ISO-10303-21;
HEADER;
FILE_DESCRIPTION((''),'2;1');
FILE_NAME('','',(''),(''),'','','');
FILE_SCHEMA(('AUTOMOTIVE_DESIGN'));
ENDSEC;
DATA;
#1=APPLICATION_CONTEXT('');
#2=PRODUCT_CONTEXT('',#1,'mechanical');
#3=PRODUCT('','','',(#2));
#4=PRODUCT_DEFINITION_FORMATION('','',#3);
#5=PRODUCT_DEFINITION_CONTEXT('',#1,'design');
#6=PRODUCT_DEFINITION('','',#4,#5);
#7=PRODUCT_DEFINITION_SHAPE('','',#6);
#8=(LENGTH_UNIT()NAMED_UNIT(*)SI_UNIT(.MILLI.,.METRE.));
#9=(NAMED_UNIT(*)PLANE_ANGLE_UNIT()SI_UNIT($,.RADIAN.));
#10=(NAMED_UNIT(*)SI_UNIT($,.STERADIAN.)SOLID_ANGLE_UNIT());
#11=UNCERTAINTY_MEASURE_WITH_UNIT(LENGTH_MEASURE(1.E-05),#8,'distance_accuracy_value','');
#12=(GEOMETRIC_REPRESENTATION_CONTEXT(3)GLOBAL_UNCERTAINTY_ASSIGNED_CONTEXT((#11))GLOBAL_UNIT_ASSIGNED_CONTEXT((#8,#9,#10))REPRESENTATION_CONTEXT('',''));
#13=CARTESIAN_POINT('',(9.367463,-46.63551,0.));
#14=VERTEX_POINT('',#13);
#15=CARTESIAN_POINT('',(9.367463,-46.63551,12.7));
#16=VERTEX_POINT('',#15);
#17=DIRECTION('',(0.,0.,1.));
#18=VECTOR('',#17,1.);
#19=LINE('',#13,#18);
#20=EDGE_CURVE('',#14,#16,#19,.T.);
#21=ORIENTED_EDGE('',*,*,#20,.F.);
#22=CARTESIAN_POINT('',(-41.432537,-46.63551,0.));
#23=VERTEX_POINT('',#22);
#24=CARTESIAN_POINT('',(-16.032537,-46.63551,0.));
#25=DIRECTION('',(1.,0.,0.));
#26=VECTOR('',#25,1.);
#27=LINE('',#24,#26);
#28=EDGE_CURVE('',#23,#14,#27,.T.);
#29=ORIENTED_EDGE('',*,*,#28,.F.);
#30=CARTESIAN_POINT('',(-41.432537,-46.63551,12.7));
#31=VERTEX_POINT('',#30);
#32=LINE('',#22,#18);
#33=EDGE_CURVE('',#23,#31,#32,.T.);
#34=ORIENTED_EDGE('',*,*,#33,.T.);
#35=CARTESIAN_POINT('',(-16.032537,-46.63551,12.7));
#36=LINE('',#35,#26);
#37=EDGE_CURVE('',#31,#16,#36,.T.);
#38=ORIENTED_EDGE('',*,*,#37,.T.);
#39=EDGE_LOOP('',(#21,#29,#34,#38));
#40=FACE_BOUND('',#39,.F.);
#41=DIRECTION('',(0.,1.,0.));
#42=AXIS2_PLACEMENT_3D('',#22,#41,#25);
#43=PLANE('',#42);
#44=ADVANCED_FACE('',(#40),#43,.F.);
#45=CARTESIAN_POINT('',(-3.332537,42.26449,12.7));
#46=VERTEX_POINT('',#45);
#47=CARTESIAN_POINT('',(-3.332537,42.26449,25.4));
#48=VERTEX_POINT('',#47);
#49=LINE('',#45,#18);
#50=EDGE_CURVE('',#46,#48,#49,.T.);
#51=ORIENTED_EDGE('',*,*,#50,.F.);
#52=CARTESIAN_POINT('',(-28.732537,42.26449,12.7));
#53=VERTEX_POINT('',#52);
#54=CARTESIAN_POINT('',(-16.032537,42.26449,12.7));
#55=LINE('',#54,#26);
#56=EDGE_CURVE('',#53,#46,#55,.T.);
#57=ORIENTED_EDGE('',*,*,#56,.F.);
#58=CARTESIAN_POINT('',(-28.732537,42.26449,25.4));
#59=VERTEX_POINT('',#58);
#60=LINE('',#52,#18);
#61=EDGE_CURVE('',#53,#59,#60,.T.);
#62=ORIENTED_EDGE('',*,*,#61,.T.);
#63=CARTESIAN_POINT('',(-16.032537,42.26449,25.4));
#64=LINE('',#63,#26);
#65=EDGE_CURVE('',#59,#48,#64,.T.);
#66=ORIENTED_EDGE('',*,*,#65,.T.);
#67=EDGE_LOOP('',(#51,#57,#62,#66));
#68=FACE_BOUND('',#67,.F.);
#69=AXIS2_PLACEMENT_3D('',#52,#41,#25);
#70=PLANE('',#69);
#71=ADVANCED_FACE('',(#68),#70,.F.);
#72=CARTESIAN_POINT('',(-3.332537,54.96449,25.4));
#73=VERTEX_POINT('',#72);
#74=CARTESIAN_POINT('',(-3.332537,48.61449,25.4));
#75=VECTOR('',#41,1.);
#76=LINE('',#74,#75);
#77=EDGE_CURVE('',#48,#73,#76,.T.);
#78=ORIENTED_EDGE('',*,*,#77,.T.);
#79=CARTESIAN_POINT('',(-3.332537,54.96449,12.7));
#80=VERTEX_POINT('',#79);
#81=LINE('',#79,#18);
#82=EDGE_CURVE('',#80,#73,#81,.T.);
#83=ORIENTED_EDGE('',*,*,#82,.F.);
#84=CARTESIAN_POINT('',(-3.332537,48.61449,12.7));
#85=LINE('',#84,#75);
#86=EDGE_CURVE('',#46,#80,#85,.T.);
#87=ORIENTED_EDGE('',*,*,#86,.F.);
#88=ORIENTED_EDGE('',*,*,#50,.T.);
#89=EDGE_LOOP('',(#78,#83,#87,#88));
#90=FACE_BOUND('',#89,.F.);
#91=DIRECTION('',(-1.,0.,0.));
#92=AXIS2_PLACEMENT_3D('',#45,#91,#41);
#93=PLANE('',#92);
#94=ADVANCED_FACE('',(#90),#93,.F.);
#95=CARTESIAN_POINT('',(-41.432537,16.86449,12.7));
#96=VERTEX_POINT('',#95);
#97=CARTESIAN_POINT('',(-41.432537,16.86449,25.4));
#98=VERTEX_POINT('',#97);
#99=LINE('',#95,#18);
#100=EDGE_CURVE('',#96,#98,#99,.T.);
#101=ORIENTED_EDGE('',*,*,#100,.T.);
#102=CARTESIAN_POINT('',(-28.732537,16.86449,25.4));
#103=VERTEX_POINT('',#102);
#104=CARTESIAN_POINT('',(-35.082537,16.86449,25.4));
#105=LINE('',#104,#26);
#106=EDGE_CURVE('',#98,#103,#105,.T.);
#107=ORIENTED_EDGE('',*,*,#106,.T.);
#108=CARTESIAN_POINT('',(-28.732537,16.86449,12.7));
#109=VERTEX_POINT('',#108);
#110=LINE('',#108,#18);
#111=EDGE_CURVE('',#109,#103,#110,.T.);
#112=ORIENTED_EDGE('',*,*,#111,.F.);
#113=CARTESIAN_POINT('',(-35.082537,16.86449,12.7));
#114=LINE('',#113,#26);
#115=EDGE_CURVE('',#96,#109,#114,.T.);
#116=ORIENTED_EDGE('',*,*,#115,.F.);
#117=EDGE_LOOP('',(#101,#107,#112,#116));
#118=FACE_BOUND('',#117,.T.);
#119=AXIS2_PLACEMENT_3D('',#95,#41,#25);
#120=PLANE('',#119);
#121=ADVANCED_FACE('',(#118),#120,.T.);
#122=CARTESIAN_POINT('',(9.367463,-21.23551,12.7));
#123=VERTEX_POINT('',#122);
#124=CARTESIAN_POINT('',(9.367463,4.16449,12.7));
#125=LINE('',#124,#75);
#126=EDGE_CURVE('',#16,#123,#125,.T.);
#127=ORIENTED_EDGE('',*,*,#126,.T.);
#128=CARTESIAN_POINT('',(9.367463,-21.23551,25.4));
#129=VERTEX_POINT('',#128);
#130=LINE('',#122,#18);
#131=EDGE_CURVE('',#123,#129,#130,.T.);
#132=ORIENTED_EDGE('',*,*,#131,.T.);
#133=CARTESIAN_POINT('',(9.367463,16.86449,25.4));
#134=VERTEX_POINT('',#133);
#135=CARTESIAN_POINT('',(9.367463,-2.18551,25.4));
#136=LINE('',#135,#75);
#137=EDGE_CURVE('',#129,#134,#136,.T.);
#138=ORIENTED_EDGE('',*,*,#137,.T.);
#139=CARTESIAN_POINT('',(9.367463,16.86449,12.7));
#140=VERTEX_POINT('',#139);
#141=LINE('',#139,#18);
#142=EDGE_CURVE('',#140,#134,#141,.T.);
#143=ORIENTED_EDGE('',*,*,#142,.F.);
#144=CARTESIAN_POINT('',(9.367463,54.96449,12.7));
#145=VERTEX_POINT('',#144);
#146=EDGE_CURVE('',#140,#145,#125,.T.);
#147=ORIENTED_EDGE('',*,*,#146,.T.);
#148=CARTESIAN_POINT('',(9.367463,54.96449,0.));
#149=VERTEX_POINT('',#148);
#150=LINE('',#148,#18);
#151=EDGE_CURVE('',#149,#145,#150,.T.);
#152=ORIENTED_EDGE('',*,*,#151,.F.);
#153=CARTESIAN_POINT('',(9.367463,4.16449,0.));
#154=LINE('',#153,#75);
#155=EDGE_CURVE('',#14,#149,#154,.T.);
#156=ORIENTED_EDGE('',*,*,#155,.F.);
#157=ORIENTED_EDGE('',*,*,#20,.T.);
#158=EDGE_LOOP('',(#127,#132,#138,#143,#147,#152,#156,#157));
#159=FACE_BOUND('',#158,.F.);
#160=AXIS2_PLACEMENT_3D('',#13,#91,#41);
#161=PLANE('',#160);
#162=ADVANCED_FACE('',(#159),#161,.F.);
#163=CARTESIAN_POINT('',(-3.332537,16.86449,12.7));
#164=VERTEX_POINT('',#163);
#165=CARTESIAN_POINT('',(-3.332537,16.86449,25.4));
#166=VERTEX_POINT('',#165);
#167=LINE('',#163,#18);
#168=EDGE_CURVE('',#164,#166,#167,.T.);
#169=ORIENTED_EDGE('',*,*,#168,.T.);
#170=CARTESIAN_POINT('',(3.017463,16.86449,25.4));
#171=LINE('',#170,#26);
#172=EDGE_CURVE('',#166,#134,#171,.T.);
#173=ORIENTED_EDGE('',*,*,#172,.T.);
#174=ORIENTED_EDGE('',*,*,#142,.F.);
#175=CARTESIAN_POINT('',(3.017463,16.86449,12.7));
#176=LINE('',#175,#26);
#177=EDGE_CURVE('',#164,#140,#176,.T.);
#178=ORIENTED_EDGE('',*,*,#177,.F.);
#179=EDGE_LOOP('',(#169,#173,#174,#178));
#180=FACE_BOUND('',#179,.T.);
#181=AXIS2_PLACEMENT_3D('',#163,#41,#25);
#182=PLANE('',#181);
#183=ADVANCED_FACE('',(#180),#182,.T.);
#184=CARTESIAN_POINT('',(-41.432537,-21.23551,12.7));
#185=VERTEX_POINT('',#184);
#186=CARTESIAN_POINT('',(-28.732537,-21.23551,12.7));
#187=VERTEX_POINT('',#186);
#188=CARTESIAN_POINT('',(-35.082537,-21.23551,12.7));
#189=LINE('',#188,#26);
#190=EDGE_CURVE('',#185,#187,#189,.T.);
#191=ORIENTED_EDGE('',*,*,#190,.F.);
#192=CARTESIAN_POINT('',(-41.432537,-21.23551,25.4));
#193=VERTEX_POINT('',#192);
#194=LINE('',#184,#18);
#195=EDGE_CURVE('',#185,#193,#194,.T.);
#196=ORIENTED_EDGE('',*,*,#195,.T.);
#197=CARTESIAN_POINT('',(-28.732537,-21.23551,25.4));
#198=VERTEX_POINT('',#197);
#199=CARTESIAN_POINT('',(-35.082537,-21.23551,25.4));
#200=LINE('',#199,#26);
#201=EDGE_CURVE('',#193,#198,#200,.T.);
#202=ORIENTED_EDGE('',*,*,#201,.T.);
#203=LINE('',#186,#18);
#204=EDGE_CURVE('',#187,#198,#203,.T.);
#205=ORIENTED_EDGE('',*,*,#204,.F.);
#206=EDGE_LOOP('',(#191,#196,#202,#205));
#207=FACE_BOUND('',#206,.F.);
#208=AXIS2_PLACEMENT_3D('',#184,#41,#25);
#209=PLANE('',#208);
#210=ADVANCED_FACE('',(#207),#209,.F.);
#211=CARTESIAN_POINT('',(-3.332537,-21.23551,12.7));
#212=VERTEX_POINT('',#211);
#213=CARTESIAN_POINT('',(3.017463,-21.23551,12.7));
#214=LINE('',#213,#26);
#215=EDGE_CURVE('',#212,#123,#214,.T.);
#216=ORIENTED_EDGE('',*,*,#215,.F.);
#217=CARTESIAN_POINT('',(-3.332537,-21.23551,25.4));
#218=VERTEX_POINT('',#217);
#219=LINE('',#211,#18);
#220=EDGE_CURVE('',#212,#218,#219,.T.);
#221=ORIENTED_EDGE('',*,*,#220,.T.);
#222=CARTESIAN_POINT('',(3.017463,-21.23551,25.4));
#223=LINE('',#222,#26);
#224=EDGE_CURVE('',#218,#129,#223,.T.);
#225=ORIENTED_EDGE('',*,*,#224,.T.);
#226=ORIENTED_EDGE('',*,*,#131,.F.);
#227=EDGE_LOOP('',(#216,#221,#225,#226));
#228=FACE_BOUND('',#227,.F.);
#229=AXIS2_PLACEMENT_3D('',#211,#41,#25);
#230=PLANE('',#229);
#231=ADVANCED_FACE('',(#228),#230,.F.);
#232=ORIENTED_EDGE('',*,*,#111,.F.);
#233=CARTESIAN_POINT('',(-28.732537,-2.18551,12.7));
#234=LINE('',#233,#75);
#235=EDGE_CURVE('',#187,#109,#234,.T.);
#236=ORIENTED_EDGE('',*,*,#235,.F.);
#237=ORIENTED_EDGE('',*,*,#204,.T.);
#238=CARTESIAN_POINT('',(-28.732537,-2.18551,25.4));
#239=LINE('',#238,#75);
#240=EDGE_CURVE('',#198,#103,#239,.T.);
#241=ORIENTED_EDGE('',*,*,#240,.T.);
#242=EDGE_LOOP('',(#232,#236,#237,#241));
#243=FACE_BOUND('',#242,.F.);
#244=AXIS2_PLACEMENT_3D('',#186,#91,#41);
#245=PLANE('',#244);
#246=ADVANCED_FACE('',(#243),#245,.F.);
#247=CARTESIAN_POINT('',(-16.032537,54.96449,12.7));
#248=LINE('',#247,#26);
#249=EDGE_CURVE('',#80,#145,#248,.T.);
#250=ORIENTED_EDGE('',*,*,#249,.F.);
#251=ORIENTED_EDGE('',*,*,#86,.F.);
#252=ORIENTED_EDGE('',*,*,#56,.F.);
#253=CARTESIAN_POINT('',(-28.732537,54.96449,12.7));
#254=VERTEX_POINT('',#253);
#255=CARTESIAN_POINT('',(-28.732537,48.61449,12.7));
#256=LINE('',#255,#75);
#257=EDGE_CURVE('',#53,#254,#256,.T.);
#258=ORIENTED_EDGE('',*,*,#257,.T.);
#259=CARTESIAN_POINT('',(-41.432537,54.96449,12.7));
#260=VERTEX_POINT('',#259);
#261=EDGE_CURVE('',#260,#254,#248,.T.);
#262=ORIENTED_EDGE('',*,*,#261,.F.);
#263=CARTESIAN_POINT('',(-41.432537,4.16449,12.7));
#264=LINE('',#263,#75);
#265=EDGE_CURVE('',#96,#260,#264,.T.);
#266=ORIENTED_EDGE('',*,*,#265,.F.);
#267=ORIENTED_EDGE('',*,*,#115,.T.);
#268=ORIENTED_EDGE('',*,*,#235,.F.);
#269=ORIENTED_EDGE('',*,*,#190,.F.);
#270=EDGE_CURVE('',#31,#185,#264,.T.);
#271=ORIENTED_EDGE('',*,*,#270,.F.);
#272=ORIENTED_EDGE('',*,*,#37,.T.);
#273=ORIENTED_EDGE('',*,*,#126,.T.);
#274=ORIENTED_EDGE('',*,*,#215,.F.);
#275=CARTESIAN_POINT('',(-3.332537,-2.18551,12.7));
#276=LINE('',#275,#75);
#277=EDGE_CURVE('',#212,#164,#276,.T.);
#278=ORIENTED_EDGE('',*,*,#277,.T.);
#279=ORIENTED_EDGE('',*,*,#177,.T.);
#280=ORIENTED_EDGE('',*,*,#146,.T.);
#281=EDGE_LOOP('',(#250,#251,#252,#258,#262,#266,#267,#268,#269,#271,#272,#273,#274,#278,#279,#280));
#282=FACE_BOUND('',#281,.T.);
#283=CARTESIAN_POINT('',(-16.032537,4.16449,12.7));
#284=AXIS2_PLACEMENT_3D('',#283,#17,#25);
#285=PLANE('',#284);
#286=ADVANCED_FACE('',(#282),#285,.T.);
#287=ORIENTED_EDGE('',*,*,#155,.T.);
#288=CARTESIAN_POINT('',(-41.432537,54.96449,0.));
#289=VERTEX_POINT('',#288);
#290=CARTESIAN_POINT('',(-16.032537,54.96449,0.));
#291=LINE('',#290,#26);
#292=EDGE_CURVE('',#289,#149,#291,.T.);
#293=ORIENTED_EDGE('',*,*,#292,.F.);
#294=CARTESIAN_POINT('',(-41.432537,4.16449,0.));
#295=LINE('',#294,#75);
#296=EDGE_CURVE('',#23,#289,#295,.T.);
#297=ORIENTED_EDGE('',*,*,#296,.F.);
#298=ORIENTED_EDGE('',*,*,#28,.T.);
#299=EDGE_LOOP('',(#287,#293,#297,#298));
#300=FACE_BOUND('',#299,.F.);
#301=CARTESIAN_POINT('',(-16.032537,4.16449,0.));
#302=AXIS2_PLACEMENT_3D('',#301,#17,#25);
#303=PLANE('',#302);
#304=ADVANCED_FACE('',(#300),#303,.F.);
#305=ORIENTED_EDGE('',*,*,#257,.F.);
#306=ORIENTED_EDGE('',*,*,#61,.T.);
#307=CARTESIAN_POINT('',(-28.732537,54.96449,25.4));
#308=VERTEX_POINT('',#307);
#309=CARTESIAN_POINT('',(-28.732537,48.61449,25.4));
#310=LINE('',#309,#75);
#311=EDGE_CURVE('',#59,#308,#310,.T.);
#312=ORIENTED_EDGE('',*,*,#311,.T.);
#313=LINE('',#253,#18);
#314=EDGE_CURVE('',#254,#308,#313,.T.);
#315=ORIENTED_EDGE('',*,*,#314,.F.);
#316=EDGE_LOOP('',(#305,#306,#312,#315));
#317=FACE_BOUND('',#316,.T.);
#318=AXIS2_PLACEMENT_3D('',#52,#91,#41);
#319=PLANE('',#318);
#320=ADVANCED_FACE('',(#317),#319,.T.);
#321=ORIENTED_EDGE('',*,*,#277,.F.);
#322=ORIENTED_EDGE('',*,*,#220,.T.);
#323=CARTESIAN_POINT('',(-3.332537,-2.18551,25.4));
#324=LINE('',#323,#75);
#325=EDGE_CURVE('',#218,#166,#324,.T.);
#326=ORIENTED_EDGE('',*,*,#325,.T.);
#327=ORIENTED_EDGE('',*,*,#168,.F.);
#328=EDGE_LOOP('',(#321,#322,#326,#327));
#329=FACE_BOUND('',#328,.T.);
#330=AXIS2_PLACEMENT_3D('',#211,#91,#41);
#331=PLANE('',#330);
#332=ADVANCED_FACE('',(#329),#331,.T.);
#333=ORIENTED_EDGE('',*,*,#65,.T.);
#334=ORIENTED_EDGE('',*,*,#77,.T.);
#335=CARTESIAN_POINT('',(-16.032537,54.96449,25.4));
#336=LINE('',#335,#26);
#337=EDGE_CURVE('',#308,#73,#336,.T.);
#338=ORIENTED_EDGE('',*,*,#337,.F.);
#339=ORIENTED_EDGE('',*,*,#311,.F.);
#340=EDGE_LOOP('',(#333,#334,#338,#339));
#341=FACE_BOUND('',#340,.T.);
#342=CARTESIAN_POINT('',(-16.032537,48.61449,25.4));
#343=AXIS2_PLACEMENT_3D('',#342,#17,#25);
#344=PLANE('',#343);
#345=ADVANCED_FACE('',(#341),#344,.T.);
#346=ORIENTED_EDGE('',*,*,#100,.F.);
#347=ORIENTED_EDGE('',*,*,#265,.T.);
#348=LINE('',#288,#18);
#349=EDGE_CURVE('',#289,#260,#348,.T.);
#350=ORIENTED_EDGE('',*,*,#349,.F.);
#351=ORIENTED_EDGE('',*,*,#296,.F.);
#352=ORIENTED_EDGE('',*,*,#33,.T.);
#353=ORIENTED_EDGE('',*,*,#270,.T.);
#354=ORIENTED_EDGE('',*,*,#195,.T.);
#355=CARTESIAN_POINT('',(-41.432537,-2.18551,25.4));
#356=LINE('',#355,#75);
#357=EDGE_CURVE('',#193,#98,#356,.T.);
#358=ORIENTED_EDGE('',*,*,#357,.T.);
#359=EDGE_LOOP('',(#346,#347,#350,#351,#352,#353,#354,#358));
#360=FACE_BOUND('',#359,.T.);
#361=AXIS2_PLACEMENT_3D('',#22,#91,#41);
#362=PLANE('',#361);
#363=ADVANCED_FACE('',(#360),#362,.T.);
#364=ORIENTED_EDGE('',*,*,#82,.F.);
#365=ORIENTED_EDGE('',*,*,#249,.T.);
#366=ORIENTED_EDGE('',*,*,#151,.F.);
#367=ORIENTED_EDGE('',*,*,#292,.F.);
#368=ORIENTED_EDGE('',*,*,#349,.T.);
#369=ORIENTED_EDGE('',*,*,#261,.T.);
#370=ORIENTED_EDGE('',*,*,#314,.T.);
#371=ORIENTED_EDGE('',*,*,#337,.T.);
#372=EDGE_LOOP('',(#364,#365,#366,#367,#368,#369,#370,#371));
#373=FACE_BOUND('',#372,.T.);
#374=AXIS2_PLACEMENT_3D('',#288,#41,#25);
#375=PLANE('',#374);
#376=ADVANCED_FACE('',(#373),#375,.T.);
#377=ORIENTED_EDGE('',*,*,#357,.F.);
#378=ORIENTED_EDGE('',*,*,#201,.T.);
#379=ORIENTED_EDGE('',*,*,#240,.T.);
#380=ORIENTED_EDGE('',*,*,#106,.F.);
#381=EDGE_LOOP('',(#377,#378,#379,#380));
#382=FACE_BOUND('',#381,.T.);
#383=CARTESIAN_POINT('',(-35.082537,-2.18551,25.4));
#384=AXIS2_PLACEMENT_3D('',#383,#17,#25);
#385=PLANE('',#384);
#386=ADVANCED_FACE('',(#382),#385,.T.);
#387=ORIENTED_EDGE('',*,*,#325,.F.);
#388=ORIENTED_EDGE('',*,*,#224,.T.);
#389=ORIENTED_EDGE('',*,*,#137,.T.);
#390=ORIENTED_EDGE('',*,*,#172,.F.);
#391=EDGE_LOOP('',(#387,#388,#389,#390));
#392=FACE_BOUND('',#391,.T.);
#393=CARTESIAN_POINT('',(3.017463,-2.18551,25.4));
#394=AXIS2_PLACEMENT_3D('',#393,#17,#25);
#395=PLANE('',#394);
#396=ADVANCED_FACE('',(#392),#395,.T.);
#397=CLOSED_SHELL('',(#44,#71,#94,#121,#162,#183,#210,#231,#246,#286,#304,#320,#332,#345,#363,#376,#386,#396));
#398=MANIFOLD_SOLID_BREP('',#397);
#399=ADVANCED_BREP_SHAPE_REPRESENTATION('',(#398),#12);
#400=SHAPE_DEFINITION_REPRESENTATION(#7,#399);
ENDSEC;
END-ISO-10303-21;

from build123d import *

# Parameters (mm, degrees)
F0_W     = 50.8
F0_H     = 101.6
F1_DEPTH = 12.7
F2_W     = 25.4
F2_H     = 12.7
F2_W_2   = 12.7
F2_H_2   = 38.1
F3_DEPTH = 12.7


with BuildPart() as f1:
    # F0 (on Top) → F1 (new body)
    with BuildSketch(Plane.XY):
        with Locations((-16.032537, 4.16449)):
            Rectangle(F0_W, F0_H)
    extrude(amount=F1_DEPTH)

    # F2 (on face) → F3 (join)
    with BuildSketch(Plane.XY.offset(12.7)):
        with Locations((-16.032537, 48.61449)):
            Rectangle(F2_W, F2_H)
        with Locations((-35.082537, -2.18551)):
            Rectangle(F2_W_2, F2_H_2)
        with Locations((3.017463, -2.18551)):
            Rectangle(F2_W_2, F2_H_2)
    extrude(amount=F3_DEPTH)


solid = f1.part
